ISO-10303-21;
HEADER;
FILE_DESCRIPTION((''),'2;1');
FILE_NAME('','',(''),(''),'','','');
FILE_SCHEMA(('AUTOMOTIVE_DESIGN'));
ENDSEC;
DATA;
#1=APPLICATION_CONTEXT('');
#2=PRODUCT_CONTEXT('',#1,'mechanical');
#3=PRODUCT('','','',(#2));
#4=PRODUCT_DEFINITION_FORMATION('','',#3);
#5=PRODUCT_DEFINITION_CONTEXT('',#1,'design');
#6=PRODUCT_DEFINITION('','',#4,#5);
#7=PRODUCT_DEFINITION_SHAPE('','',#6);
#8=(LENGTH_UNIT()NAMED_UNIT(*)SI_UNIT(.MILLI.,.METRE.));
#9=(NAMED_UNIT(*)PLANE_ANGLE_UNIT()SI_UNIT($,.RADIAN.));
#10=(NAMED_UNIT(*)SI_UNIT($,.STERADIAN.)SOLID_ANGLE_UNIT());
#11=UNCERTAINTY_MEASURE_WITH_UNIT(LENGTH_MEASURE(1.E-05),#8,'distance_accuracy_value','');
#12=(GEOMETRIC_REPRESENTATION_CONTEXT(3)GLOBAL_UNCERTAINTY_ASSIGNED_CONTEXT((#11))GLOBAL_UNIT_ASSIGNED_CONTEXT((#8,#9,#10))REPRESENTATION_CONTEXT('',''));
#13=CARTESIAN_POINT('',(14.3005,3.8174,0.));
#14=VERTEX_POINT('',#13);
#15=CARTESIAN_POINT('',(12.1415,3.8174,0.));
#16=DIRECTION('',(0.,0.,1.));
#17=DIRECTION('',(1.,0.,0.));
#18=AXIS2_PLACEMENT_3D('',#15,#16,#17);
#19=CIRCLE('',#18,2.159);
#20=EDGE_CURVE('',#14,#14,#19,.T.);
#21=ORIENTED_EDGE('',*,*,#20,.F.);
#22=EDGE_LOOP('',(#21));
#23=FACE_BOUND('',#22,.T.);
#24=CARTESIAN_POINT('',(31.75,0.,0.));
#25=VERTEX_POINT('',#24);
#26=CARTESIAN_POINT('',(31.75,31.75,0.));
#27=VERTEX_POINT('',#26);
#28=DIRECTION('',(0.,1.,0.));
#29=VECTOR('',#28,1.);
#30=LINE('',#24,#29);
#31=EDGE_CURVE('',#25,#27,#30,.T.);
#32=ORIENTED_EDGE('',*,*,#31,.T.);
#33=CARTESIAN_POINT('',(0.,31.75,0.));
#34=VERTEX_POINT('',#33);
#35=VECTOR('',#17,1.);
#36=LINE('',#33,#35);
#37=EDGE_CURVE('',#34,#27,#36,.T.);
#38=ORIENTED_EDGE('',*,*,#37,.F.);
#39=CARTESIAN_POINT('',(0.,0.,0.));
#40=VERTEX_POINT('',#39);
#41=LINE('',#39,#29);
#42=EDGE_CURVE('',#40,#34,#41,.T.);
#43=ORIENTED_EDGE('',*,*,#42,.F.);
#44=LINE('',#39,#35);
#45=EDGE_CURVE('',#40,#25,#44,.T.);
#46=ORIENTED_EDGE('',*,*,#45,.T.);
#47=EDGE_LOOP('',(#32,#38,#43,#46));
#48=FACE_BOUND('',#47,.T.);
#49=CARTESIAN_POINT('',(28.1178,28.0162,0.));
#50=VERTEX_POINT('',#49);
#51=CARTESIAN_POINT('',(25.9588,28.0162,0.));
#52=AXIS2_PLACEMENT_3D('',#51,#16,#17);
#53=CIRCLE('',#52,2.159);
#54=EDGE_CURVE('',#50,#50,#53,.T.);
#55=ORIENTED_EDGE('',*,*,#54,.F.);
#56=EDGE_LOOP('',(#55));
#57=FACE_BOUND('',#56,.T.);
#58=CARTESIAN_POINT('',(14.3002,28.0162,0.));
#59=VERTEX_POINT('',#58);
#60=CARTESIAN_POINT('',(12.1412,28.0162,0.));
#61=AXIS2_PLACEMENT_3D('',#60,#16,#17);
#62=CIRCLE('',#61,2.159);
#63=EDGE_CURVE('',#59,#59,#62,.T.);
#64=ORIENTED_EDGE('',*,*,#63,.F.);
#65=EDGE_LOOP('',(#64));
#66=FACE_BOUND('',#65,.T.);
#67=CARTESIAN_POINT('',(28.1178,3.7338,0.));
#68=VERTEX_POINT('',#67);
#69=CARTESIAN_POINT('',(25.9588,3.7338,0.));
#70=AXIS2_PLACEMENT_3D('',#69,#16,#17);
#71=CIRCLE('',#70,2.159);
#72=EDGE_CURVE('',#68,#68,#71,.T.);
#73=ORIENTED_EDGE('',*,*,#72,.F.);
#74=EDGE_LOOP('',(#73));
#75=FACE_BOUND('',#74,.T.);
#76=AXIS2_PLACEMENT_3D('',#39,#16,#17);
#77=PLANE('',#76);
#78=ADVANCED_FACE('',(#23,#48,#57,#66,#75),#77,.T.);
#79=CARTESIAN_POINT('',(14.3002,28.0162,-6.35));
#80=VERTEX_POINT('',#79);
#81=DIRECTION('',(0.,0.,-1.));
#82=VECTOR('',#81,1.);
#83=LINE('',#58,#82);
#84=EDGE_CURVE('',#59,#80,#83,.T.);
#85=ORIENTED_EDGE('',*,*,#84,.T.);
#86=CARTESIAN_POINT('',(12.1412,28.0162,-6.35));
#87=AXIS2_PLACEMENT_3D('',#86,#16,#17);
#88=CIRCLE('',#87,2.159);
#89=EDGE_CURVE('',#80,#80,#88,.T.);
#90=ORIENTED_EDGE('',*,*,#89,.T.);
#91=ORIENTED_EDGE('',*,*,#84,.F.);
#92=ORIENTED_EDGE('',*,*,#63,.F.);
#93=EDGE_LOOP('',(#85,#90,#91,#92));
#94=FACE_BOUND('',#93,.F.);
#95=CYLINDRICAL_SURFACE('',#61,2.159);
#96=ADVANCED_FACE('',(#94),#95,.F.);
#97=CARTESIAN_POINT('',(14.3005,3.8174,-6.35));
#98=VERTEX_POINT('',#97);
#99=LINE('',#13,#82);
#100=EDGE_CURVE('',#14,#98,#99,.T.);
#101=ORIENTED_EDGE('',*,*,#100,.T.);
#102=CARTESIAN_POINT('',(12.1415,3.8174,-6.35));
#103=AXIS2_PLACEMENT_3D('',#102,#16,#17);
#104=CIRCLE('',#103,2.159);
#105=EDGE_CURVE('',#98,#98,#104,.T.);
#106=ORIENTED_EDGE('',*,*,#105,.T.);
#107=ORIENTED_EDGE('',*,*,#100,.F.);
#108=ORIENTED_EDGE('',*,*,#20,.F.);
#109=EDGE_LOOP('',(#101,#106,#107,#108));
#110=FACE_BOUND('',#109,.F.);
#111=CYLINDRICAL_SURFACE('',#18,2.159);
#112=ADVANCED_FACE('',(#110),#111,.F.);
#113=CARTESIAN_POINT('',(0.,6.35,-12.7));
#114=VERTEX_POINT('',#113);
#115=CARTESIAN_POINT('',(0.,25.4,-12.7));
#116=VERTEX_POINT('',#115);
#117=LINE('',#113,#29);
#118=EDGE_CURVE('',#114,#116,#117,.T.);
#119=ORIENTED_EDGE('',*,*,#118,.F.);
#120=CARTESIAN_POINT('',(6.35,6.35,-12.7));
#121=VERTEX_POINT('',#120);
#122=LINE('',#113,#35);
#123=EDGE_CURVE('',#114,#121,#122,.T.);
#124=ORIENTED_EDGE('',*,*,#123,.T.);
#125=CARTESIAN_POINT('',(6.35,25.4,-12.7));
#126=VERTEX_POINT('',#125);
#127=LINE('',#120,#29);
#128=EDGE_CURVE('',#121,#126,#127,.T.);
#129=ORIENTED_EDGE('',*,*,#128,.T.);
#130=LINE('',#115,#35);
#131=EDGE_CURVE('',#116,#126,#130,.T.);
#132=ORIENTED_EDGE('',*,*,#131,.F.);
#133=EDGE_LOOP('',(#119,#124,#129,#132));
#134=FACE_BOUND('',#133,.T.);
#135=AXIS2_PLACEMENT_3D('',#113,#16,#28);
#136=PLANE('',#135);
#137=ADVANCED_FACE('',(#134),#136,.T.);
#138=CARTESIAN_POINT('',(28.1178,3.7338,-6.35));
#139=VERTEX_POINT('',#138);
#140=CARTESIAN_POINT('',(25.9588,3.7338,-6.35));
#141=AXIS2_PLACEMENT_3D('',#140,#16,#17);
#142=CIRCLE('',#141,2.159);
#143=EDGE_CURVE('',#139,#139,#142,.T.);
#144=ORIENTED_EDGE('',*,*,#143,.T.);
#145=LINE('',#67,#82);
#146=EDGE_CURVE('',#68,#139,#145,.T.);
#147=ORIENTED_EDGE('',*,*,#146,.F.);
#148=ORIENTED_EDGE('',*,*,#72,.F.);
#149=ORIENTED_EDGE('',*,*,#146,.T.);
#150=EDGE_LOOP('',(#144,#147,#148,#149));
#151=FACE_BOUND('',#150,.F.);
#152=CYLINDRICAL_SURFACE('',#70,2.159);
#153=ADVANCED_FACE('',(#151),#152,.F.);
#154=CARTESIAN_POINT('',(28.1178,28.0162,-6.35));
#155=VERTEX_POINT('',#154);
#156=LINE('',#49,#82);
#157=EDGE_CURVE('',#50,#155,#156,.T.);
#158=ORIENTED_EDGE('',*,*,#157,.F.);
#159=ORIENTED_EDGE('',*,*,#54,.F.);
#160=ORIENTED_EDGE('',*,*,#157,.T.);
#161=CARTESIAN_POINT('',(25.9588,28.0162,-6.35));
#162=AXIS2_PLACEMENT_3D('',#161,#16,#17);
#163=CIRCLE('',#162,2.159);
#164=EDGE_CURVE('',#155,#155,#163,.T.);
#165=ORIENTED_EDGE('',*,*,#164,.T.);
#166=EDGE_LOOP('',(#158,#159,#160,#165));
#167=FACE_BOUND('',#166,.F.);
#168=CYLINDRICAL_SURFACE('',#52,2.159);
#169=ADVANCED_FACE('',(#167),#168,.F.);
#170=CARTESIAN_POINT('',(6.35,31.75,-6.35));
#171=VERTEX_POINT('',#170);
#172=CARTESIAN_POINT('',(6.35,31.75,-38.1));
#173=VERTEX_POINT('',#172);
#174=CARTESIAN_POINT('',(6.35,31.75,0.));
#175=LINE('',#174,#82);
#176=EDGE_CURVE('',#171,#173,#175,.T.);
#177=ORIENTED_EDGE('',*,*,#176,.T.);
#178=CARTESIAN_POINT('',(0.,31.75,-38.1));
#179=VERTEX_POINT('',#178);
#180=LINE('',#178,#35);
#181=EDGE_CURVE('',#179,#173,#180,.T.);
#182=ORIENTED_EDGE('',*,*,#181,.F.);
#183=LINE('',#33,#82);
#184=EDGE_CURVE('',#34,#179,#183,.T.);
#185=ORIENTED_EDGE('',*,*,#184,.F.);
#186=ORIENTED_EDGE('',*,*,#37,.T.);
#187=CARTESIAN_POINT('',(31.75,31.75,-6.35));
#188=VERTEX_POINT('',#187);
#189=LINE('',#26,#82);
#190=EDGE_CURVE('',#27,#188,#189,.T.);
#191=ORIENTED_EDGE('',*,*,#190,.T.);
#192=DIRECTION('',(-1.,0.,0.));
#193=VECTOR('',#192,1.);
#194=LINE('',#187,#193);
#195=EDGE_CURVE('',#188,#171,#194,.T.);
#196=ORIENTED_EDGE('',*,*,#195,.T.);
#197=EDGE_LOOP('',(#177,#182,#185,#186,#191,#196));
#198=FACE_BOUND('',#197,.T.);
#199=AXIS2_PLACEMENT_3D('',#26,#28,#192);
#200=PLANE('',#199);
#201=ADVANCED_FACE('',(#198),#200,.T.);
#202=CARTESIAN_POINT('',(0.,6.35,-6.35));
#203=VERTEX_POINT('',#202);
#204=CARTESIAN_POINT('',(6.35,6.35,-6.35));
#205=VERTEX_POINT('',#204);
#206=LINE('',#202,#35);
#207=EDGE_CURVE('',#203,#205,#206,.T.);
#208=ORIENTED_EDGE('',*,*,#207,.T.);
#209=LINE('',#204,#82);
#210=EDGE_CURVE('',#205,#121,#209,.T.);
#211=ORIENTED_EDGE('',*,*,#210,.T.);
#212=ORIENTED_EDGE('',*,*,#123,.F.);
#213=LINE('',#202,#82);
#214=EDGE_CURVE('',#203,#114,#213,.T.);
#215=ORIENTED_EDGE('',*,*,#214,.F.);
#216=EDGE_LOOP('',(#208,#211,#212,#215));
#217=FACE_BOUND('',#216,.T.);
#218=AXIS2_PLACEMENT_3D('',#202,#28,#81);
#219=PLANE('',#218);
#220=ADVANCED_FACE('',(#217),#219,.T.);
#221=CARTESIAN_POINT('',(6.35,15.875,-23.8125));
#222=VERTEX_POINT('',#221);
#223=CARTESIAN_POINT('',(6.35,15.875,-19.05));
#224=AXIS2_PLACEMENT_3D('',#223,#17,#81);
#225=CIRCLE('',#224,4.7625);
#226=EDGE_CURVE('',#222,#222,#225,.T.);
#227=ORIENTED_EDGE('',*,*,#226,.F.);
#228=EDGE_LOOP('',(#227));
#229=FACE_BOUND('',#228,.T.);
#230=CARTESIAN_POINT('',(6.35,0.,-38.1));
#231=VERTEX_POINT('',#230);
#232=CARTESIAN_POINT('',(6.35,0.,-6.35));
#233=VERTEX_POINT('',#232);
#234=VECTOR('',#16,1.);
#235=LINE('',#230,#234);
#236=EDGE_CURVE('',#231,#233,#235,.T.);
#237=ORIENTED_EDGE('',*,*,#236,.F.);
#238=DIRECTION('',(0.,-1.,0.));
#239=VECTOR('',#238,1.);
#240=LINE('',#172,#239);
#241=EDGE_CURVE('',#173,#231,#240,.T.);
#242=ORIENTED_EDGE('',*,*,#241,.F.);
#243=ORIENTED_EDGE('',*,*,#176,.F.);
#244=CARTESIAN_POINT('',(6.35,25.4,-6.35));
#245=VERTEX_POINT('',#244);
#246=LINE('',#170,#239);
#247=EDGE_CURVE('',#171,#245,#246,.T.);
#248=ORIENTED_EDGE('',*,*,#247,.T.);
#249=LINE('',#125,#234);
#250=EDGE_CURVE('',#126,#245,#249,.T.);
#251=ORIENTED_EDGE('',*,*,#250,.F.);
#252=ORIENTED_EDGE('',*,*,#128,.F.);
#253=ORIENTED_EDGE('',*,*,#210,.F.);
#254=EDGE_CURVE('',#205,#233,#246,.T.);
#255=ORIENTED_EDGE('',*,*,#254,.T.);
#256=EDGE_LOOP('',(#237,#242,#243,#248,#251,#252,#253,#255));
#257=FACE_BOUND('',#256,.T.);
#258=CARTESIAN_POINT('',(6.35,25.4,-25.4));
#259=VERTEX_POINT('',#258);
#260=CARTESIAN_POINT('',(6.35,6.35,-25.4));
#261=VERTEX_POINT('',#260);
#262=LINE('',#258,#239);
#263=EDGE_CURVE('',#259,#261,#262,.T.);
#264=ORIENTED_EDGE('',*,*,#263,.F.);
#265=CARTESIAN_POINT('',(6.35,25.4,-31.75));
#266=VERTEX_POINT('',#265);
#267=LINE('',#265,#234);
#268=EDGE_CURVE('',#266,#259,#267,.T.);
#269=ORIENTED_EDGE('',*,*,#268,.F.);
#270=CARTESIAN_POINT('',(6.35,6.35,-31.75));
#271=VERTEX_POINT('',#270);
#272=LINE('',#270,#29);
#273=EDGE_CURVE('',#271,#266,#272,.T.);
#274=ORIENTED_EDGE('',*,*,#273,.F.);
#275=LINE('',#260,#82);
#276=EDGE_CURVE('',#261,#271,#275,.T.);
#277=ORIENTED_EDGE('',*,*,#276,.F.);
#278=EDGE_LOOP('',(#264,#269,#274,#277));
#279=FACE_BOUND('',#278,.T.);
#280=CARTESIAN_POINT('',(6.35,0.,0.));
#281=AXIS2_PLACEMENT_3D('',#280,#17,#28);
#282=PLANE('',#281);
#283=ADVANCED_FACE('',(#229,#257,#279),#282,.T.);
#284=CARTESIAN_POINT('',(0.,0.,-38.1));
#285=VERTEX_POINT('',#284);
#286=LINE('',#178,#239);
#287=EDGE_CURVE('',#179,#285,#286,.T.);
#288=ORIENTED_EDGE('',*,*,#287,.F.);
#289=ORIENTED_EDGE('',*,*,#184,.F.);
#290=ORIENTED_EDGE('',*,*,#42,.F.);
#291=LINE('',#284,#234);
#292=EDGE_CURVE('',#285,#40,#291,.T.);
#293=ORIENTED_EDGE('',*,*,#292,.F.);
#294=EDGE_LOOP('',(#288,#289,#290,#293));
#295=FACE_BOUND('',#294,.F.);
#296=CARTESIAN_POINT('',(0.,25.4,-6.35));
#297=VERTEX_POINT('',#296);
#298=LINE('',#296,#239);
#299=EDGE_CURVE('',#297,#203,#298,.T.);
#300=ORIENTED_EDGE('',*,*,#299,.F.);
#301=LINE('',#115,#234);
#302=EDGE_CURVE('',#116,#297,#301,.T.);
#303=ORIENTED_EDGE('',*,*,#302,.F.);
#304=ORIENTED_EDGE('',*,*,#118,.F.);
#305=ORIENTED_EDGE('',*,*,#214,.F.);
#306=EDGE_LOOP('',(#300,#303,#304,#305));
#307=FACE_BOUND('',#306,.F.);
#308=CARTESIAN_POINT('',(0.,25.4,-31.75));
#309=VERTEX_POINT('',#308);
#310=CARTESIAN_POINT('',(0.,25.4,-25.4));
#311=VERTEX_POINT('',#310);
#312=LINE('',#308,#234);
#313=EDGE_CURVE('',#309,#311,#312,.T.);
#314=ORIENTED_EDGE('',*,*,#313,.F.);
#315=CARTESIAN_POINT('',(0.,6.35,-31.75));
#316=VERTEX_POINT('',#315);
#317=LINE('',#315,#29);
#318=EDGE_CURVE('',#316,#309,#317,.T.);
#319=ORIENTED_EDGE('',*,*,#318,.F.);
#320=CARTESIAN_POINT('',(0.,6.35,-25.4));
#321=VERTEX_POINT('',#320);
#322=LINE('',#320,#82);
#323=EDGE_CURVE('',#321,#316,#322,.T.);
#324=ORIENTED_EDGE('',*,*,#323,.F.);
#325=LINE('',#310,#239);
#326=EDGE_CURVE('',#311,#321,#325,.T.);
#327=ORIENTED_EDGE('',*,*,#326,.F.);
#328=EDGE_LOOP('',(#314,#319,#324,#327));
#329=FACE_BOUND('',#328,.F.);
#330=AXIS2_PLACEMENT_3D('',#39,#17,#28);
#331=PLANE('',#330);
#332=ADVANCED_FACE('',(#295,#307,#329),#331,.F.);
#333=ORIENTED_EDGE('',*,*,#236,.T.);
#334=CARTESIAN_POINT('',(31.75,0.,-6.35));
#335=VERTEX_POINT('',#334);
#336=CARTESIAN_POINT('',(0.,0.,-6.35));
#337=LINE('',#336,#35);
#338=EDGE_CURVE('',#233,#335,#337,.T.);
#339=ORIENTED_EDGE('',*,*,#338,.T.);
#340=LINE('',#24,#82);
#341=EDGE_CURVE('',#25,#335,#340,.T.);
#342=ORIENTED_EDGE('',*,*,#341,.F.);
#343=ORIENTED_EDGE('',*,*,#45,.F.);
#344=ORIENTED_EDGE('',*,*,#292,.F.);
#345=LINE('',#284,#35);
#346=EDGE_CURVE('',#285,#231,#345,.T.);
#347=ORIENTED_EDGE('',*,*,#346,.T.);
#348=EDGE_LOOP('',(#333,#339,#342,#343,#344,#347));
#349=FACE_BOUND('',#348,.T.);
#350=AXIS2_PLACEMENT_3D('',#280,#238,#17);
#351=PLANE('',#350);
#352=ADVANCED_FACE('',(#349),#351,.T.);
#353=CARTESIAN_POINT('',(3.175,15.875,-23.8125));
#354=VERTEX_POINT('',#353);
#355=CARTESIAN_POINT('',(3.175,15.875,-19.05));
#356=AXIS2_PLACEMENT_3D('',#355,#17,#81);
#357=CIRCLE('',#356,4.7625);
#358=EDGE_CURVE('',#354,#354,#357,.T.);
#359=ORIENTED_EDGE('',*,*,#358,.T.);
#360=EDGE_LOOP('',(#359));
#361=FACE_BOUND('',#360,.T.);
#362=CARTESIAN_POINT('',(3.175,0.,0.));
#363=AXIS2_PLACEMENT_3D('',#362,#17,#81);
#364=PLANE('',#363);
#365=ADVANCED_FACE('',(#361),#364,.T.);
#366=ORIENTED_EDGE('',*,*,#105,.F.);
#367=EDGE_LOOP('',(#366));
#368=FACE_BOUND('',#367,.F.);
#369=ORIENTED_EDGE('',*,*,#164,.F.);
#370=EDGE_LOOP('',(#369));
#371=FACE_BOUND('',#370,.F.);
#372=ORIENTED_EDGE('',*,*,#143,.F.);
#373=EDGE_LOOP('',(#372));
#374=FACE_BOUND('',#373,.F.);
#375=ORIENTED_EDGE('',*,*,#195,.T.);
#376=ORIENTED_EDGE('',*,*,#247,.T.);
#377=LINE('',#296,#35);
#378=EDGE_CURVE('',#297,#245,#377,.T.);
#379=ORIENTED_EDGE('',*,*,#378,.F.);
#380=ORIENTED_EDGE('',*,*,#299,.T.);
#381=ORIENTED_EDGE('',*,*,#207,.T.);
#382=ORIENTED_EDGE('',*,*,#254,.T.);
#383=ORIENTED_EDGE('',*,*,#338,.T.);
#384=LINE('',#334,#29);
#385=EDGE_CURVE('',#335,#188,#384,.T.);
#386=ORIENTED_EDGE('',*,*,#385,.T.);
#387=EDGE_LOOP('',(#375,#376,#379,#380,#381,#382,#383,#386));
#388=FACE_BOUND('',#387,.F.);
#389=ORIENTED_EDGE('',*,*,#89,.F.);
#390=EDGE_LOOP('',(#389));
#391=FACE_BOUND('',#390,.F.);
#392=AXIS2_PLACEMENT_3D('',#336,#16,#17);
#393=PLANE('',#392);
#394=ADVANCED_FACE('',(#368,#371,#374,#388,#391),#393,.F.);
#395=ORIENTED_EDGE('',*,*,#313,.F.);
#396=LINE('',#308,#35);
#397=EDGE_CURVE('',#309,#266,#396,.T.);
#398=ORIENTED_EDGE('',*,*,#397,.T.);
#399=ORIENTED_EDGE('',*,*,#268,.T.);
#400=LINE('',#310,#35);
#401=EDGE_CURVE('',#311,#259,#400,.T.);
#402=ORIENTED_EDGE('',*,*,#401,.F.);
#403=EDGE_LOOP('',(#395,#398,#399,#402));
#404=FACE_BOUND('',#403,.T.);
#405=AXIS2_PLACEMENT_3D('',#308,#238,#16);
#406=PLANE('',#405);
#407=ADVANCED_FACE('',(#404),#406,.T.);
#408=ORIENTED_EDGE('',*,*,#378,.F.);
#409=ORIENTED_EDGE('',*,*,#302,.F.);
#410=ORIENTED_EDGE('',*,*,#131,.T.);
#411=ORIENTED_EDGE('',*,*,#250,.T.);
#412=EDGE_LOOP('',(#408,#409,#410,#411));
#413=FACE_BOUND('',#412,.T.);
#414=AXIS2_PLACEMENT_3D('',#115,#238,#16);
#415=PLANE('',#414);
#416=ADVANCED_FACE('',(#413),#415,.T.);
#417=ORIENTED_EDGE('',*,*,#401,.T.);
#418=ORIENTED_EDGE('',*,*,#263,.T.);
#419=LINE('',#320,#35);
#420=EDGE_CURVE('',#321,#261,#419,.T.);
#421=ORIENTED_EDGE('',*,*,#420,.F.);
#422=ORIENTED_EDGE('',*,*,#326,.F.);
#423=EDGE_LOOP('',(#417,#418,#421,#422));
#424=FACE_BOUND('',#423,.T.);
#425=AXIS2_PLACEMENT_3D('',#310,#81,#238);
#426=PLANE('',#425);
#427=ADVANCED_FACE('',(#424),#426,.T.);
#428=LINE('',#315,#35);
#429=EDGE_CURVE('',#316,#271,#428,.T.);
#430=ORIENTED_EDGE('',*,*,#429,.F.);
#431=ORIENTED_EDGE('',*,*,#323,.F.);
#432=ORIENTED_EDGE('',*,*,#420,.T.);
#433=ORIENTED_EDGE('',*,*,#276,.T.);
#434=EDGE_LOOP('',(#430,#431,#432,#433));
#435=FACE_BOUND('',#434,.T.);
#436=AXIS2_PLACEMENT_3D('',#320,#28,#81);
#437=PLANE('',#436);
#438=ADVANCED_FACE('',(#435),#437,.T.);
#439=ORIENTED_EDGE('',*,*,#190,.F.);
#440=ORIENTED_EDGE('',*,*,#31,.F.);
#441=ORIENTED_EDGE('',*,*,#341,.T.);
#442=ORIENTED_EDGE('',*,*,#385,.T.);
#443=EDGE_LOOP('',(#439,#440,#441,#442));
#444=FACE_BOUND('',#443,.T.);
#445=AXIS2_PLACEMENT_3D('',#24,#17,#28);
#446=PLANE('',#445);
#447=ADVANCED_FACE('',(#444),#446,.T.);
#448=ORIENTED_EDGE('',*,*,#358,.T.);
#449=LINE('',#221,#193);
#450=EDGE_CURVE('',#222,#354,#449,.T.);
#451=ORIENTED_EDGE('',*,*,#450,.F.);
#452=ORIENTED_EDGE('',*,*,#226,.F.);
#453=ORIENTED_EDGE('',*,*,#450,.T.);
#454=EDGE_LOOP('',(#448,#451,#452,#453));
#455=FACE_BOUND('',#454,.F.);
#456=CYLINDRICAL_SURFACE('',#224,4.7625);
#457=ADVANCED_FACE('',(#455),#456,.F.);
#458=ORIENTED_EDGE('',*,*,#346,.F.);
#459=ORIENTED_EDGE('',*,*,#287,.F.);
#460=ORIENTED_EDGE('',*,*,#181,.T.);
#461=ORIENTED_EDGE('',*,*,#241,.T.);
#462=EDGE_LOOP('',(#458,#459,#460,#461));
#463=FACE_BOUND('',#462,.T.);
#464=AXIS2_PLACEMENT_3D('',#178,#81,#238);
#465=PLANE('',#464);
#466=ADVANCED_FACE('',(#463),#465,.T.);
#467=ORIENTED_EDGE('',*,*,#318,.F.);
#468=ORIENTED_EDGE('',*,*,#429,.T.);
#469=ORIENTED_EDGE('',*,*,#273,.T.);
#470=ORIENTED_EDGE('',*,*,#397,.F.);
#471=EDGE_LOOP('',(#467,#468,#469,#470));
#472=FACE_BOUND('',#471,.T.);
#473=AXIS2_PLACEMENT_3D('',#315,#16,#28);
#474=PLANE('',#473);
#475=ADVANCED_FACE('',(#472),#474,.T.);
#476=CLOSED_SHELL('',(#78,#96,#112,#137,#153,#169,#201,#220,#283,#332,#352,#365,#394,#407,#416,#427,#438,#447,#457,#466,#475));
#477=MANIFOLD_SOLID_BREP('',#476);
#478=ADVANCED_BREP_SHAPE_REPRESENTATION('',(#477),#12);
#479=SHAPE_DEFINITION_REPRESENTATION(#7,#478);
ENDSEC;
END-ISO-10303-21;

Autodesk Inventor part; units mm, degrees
ref_plane "YZ Plane" through (0, 0, 0) normal (1, 0, 0) x (0, 1, 0)
ref_plane "XZ Plane" through (0, 0, 0) normal (0, 1, 0) x (-1, 0, 0)
ref_plane "XY Plane" through (0, 0, 0) normal (0, 0, 1) x (1, 0, 0)
sketch "Sketch4" plane through (0, 0, 0) normal (1, 0, 0) x (0, 1, 0)
  line L0 (0, 0) -> (31.75, 0)
  line L1 (31.75, 0) -> (31.75, -38.1)
  line L2 (31.75, -38.1) -> (0, -38.1)
  line L3 (0, -38.1) -> (0, 0)
  line L4 (25.4, -6.35) -> (6.35, -6.35)
  line L5 (6.35, -6.35) -> (6.35, -12.7)
  line L6 (6.35, -12.7) -> (25.4, -12.7)
  line L7 (25.4, -12.7) -> (25.4, -6.35)
  line L8 (25.4, -25.4) -> (6.35, -25.4)
  line L9 (6.35, -25.4) -> (6.35, -31.75)
  line L10 (6.35, -31.75) -> (25.4, -31.75)
  line L11 (25.4, -31.75) -> (25.4, -25.4)
  dimension "d36" = 31.75
  dimension "d37" = 38.1
  dimension "d38" = 19.05
  dimension "d39" = 6.35
  dimension "d40" = 6.35
  dimension "d41" = 6.35
  dimension "d42" = 6.35
  dimension "d43" = 6.35
  dimension "d44" = 6.35
extrude "Extrusion3" add sketch "Sketch4" along normal blind 6.35
sketch "Sketch5" plane through (6.35, 0, 0) normal (1, 0, 0) x (0, 0, -1)
  line L0 (25.4, 25.4) -> (31.75, 25.4) projected
  line L1 (31.75, 25.4) -> (31.75, 6.35) projected
  line L2 (31.75, 6.35) -> (25.4, 6.35) projected
  line L3 (25.4, 6.35) -> (25.4, 25.4) projected
  line L4 (6.35, 25.4) -> (12.7, 25.4) projected
  line L5 (12.7, 25.4) -> (12.7, 6.35) projected
  line L6 (12.7, 6.35) -> (6.35, 6.35) projected
  line L7 (6.35, 6.35) -> (6.35, 25.4) projected
  line L8 (0, 31.75) -> (0, 0) projected
  line L9 (0, 0) -> (38.1, 0) projected
  line L10 (38.1, 0) -> (38.1, 31.75) projected
  line L11 (38.1, 31.75) -> (0, 31.75) projected
  circle A0 centre (19.05, 15.875) radius 4.7625
  dimension "d47" = 9.525
extrude "Extrusion4" cut sketch "Sketch5" against normal blind 3.175 contours A0
sketch "Sketch6" plane through (0, 0, 0) normal (0, 0, 1) x (1, 0, 0)
  line L0 (3.175, 20.6375) -> (3.175, 11.1125) projected
  line L1 (0, 0) -> (0, 31.75) projected
  line L2 (0, 0) -> (6.35, 0) projected
  line L3 (6.35, 31.75) -> (6.35, 0) projected
  line L4 (0, 31.75) -> (6.35, 31.75) projected
  line L5 (0, 0) -> (6.35, 0) projected
  line L6 (0, 0) -> (31.75, 0)
  line L7 (31.75, 0) -> (31.75, 31.75)
  line L8 (31.75, 31.75) -> (0, 31.75)
  line L9 (0, 31.75) -> (0, 0)
  circle A0 centre (25.9588, 28.0162) radius 2.159
  circle A1 centre (25.9588, 3.7338) radius 2.159
  circle A2 centre (12.1412, 28.0162) radius 2.159
  circle A3 centre (12.1415, 3.8174) radius 2.159
  dimension "d50" = 31.75
  dimension "d51" = 4.318
  dimension "d53" = 3.7338
  dimension "d54" = 5.7912
  dimension "d55" = 4.318
  dimension "d56" = 4.318
  dimension "d57" = 4.318
  dimension "d58" = 13.8176
  dimension "d59" = 3.7338
  dimension "d60" = 13.8176
  dimension "d61" = 5.7912
  dimension "d64" = 3.7338
extrude "Extrusion5" add sketch "Sketch6" against normal blind 6.35 contours L3 L8 L7 L6
properties part number "TensionerPlate"
